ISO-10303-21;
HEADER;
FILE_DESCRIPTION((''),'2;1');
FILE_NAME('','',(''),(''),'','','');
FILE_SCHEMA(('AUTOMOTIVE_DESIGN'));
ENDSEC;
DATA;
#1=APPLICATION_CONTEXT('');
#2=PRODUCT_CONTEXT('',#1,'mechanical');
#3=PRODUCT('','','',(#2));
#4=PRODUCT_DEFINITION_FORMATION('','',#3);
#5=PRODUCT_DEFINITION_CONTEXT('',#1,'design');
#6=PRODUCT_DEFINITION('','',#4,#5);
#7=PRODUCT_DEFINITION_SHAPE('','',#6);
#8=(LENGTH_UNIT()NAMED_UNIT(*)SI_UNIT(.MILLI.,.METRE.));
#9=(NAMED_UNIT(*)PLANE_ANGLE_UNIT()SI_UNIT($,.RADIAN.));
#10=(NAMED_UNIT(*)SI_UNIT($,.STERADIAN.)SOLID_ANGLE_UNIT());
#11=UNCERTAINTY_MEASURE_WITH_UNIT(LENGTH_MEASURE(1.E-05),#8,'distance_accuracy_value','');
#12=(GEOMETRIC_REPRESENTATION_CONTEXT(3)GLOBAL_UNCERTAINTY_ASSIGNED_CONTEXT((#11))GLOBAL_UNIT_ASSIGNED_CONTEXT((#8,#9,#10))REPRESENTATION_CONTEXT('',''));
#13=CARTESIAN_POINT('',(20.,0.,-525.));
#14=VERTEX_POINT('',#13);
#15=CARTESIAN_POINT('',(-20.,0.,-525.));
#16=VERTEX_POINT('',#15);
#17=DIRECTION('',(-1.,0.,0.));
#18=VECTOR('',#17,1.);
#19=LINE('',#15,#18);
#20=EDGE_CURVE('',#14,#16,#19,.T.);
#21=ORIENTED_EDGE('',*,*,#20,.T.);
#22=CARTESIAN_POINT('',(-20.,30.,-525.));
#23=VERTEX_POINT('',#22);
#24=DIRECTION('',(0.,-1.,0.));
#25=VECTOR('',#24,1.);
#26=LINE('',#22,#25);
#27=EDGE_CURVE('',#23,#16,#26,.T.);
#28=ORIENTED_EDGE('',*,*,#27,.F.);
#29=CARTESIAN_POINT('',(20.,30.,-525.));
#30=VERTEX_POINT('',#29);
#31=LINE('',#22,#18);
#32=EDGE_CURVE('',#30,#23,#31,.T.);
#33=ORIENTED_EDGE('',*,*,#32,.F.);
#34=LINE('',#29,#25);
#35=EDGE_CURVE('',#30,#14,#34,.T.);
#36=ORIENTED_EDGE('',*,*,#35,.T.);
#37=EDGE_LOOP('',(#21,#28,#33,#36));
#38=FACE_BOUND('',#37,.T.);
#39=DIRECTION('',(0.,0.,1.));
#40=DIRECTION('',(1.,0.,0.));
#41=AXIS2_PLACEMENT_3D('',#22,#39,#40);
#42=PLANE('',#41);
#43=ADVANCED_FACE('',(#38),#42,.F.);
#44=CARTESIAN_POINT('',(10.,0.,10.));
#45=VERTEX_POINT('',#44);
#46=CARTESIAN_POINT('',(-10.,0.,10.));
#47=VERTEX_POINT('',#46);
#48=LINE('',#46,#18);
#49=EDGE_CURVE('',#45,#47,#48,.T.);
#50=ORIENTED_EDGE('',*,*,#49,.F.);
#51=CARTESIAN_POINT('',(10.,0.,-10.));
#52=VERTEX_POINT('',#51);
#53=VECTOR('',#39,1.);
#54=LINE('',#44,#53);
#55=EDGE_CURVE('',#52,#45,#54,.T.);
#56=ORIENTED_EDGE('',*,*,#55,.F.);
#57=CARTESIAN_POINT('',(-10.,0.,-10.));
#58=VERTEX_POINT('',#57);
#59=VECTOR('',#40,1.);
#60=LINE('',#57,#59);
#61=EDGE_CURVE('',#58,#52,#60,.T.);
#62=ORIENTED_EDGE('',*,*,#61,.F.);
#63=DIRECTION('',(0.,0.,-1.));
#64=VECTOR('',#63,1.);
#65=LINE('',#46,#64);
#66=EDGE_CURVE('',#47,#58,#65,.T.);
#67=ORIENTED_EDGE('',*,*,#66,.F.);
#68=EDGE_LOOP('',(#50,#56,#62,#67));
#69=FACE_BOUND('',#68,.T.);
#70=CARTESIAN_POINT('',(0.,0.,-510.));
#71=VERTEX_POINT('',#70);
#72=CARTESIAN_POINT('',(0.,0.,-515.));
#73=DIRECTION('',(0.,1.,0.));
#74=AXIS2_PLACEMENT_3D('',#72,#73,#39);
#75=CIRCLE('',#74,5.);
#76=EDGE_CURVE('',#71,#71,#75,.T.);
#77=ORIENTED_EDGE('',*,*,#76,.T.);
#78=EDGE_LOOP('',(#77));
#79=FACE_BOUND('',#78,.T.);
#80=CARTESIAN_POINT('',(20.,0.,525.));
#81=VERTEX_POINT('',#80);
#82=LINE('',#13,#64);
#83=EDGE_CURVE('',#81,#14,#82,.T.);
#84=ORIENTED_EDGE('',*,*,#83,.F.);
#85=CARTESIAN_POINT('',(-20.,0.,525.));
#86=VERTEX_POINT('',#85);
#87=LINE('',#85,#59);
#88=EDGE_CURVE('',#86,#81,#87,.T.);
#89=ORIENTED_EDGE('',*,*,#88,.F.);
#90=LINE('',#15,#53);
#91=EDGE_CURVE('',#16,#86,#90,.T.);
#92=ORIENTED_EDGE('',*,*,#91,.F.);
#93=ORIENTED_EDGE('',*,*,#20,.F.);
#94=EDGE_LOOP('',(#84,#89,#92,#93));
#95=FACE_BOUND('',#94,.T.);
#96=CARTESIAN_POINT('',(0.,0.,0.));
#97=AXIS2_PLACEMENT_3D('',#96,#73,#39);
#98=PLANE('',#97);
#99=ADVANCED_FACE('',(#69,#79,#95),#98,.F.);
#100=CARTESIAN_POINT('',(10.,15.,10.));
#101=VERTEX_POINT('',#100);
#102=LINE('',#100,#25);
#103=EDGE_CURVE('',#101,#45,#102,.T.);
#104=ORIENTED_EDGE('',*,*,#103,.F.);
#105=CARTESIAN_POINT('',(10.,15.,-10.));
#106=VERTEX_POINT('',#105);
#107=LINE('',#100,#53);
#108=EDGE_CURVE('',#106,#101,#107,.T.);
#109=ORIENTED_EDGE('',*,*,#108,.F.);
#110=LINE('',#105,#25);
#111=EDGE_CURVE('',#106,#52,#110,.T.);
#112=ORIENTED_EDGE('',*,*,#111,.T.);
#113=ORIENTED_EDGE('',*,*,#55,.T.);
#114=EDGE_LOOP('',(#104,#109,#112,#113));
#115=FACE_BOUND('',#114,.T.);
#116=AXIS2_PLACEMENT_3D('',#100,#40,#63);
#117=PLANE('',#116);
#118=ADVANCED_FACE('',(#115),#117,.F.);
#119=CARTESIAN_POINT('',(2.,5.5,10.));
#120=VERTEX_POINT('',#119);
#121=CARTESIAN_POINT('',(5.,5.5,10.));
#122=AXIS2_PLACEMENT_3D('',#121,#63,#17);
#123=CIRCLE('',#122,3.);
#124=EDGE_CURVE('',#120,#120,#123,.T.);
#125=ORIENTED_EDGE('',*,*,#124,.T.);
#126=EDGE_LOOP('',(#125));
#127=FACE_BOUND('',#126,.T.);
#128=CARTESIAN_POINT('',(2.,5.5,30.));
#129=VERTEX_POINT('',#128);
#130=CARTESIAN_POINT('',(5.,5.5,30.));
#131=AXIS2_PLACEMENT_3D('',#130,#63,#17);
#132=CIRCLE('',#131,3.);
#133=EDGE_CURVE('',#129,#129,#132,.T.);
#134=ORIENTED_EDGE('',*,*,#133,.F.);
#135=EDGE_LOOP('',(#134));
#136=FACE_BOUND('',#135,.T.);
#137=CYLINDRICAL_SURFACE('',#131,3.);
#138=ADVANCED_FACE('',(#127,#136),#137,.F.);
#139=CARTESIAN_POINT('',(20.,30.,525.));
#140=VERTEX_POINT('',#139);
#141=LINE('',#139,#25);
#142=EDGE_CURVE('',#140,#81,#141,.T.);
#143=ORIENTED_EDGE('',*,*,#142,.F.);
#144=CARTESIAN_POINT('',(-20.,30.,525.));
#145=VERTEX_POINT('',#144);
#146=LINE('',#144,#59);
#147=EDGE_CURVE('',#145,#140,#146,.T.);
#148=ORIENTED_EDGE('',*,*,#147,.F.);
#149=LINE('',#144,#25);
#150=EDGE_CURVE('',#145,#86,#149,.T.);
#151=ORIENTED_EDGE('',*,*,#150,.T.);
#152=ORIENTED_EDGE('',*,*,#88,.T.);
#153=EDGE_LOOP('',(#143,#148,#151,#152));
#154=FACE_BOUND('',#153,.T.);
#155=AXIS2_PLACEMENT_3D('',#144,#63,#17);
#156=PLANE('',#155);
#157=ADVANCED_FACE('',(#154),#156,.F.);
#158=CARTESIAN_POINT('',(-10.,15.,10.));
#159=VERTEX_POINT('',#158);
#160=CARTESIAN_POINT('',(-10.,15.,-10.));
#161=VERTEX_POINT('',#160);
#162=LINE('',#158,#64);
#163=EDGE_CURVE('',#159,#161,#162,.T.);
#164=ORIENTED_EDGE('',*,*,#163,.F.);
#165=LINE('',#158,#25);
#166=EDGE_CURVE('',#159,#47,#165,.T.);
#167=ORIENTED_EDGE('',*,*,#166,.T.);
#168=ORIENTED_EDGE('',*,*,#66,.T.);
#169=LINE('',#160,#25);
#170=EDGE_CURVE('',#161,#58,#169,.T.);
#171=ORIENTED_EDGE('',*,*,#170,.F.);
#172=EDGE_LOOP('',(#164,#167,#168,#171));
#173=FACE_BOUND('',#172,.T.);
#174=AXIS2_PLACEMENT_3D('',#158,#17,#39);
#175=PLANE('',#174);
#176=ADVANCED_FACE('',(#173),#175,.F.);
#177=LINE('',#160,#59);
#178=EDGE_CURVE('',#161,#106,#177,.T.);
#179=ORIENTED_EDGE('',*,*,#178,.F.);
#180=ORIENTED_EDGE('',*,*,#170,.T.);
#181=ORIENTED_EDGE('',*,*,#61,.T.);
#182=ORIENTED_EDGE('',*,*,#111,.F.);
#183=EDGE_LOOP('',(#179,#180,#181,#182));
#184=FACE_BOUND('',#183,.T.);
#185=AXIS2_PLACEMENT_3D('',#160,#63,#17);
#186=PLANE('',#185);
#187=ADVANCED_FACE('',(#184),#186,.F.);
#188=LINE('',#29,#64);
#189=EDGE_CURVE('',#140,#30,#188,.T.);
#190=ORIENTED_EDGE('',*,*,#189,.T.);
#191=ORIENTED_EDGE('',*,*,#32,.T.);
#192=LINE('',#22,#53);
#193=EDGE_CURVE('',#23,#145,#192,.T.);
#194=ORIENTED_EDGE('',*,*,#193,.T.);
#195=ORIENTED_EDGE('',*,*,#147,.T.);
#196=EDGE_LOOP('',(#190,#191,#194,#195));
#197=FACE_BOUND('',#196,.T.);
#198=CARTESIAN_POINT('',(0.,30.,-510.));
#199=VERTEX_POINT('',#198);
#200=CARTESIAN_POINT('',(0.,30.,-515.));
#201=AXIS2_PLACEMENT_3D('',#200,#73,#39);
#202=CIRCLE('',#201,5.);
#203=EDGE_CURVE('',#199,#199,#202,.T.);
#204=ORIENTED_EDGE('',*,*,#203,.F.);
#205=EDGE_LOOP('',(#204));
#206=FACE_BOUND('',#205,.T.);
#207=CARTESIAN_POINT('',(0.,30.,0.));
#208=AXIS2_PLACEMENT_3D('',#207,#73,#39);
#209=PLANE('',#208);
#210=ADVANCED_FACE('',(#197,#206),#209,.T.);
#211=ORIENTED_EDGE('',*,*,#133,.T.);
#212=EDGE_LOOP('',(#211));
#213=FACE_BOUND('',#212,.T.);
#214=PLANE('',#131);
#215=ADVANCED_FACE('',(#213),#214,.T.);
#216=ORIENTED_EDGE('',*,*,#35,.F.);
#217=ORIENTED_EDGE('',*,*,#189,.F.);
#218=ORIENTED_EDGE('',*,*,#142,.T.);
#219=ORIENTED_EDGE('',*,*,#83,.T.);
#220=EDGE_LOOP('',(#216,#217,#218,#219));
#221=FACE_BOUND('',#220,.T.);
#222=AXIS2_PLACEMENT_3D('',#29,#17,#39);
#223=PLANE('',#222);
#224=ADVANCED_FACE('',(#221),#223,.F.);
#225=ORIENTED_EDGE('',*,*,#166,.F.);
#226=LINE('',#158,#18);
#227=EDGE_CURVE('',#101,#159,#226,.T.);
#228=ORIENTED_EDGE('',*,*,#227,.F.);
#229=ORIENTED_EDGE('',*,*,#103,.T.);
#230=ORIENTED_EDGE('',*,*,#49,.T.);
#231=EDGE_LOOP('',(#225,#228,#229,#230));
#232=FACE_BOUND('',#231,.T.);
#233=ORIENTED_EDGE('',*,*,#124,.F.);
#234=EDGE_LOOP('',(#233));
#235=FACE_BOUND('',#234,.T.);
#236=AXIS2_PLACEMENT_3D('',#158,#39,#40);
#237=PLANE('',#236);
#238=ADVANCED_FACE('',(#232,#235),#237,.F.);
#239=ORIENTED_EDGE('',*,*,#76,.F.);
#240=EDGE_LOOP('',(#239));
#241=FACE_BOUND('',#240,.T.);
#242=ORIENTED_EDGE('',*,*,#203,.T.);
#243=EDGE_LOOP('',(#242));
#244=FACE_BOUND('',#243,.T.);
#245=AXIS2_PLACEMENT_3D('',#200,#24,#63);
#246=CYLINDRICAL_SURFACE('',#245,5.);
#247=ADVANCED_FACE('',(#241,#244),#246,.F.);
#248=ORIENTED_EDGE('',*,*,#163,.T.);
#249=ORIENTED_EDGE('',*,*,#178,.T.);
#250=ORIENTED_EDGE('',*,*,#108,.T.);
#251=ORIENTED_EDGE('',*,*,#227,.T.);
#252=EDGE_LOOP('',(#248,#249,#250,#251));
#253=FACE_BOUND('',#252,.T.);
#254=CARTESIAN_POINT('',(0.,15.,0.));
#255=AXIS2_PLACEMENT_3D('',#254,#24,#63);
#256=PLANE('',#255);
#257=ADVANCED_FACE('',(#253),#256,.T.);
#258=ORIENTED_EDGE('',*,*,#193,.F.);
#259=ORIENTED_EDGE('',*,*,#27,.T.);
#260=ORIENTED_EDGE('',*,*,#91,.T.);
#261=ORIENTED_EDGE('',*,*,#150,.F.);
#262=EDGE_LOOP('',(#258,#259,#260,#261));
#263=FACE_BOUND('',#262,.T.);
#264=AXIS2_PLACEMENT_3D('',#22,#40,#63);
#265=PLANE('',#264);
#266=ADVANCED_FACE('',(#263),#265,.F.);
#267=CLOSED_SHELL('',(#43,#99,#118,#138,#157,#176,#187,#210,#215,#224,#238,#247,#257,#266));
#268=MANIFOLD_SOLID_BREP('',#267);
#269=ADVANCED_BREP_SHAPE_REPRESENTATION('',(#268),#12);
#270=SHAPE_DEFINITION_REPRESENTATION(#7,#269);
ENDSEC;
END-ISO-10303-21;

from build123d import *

# Parameters (mm, degrees)
SKETCH_1_W          = 40
SKETCH_1_H          = 1050
SKETCH_1_R          = 5
EXTRUDE_1_DEPTH     = 30
SKETCH_4_W          = 20
SKETCH_4_H          = 20
CUT_EXTRUDE_1_DEPTH = 15
SKETCH_6_R          = 3
CUT_EXTRUDE_2_DEPTH = 20


with BuildPart() as part:
    # 草图1 → 凸台-拉伸1 (new body)
    with BuildSketch(Plane(origin=(0, 0, 0), x_dir=(1, 0, 0), z_dir=(0, 1, 0))):
        Rectangle(SKETCH_1_W, SKETCH_1_H)
        with Locations(Location((0, 515, 0), (0, 0, 270))):
            Circle(SKETCH_1_R, mode=Mode.SUBTRACT)
    extrude(amount=EXTRUDE_1_DEPTH)

    # 草图4 → 切除-拉伸1 (cut)
    with BuildSketch(Plane.XZ):
        Rectangle(SKETCH_4_W, SKETCH_4_H)
    extrude(amount=-CUT_EXTRUDE_1_DEPTH, mode=Mode.SUBTRACT)

    # 草图6 → 切除-拉伸2 (cut)
    with BuildSketch(Plane(origin=(0, 0, 10), x_dir=(-1, 0, 0), z_dir=(0, 0, -1))):
        with Locations((-5, 5.5)):
            Circle(SKETCH_6_R)
    extrude(amount=-CUT_EXTRUDE_2_DEPTH, mode=Mode.SUBTRACT)


solid = part.part
